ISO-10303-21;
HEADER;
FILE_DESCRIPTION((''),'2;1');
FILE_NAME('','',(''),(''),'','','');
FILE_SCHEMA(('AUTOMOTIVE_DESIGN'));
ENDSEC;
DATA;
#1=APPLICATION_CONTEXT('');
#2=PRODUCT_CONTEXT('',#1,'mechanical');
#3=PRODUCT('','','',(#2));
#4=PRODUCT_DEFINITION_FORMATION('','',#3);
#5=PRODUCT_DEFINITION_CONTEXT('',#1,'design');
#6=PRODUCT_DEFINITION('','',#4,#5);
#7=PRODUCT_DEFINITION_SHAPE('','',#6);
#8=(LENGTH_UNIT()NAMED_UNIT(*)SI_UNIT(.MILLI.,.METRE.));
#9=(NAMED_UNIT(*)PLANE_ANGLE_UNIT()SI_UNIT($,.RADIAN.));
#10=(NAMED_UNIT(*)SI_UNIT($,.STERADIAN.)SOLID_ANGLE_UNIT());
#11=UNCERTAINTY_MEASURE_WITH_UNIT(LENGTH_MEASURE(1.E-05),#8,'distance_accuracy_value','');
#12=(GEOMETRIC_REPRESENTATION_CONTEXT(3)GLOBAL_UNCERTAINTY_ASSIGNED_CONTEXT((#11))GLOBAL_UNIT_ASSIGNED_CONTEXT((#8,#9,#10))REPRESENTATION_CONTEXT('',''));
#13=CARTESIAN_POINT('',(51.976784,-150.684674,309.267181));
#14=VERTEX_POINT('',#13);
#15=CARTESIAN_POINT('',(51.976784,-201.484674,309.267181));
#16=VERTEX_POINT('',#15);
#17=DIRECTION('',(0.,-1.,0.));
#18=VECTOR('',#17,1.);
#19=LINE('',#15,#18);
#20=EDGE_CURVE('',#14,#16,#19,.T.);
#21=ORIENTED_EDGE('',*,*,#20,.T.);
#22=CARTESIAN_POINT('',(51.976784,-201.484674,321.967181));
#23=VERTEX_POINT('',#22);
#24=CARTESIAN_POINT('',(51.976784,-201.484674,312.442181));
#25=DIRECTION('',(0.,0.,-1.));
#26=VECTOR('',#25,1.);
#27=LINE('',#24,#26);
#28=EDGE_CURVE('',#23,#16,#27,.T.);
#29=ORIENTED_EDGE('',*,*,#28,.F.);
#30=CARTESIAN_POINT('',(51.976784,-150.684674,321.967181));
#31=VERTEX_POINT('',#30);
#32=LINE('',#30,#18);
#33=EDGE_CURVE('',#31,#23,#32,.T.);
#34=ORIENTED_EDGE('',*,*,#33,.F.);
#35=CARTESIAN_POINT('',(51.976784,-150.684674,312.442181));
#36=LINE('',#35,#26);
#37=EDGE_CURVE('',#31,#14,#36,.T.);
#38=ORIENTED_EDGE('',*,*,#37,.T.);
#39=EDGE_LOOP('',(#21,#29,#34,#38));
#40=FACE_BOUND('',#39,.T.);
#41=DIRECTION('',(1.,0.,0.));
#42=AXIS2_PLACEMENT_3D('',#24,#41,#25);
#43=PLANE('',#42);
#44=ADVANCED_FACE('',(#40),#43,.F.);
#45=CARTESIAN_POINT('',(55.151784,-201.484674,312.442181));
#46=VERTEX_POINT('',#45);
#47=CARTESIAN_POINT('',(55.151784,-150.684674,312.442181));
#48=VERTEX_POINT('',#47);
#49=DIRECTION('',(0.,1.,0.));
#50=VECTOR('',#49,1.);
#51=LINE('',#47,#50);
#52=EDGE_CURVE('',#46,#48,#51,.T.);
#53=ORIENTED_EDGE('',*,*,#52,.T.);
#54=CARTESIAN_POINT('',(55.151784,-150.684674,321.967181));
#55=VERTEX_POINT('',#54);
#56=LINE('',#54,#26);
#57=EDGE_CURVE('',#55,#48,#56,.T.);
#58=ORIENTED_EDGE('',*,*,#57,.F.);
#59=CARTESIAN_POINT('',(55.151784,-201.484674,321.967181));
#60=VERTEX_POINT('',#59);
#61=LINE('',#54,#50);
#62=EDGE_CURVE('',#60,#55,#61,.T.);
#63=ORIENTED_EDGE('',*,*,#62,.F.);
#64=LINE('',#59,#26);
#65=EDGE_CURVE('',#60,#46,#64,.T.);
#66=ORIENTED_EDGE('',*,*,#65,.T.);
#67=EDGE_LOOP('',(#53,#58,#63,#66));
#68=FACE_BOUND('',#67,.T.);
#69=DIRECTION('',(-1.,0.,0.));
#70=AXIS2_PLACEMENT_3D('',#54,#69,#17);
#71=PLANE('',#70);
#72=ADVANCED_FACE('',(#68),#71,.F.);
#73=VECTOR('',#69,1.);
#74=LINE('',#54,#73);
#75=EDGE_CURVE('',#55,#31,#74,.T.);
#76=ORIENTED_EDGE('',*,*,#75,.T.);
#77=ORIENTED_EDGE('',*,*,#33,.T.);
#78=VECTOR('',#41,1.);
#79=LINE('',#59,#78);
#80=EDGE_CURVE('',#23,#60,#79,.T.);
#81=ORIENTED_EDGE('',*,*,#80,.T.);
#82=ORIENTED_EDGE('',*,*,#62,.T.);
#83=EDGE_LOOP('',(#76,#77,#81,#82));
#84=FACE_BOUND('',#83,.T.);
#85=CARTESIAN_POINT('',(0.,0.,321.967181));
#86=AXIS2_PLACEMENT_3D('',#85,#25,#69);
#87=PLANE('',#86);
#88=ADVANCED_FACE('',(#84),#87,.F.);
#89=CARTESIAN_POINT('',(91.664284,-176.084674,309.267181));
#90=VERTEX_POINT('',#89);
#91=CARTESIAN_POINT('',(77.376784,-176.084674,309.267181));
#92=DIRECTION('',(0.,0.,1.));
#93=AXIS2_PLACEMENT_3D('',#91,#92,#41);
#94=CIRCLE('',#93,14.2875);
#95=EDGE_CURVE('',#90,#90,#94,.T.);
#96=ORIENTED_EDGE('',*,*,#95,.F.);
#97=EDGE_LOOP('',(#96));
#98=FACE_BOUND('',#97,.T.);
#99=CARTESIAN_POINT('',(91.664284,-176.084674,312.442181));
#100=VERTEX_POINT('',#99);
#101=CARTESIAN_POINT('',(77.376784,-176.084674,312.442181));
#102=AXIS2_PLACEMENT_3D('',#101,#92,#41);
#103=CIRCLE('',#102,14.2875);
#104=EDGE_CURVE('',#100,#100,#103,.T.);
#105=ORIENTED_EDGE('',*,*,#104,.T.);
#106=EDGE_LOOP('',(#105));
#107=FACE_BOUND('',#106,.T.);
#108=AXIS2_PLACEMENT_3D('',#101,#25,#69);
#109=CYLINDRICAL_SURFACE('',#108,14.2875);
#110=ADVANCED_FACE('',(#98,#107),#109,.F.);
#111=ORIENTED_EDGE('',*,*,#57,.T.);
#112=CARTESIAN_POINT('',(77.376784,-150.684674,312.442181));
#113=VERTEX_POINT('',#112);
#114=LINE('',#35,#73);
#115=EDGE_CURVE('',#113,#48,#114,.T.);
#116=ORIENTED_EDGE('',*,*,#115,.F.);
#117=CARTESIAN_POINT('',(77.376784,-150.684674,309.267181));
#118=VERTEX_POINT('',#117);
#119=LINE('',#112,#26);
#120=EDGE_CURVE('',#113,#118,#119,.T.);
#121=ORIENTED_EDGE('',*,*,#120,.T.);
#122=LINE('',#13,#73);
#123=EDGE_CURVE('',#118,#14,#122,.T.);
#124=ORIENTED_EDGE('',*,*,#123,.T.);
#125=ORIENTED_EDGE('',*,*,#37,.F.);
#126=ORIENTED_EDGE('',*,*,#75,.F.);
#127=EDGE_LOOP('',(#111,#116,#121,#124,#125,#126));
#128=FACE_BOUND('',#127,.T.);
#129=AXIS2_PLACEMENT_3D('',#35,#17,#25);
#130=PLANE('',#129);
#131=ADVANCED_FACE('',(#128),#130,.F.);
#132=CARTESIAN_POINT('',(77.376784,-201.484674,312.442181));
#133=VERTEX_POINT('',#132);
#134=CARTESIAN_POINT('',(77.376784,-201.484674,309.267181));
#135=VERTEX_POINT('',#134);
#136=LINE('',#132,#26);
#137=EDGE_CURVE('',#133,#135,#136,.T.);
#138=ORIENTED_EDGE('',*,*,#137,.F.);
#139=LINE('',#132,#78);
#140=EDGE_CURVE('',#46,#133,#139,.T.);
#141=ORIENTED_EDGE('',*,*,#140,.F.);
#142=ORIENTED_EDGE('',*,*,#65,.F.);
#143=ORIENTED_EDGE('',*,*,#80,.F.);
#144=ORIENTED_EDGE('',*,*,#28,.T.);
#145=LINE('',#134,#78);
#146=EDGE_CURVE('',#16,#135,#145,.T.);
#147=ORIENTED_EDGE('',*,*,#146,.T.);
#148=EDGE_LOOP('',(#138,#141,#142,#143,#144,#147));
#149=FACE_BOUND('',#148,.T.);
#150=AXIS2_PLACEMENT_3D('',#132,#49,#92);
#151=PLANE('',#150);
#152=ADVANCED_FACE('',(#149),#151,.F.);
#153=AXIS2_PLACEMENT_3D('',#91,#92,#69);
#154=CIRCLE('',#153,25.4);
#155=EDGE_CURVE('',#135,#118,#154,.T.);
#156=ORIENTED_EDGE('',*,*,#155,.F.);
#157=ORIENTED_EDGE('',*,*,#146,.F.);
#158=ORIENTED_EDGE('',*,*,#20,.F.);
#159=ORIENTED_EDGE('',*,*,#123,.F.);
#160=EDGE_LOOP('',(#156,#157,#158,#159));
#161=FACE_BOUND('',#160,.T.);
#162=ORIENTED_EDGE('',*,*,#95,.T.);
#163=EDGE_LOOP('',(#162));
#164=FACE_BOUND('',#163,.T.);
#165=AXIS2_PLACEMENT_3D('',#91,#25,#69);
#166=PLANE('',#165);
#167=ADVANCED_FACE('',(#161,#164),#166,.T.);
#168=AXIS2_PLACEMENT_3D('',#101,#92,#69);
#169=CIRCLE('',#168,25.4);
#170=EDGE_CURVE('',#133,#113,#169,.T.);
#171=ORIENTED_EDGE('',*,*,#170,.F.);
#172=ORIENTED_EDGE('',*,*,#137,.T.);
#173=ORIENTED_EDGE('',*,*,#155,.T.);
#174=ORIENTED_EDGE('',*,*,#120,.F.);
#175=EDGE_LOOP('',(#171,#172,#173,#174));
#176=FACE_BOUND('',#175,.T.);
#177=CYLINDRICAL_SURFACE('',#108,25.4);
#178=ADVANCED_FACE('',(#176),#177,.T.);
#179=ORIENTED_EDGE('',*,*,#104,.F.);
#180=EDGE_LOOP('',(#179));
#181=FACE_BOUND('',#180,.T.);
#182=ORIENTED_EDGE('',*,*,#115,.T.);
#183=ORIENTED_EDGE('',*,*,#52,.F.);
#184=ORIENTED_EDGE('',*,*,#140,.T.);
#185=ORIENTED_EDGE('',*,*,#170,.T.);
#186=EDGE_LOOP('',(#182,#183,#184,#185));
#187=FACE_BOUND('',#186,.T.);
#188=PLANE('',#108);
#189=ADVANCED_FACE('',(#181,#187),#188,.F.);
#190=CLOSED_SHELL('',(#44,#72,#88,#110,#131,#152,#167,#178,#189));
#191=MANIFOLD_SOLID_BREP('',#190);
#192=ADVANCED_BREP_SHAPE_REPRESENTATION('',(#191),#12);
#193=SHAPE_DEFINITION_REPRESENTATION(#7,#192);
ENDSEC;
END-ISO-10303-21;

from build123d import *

# Parameters (mm, degrees)
SKETCH1_R           = 14.2875
BOSS_EXTRUDE1_DEPTH = 3.175
SKETCH2_W           = 3.175
SKETCH2_H           = 50.8
BOSS_EXTRUDE2_DEPTH = 9.525


with BuildPart() as part:
    # Sketch1 → Boss-Extrude1 (new body)
    with BuildSketch(Plane.XY.offset(309.267180797)):
        with BuildLine():
            Line((51.976784349, -201.484673508), (51.976784349, -150.684673508))
            Line((51.976784349, -150.684673508), (77.376784349, -150.684673508))
            ThreePointArc((77.376784349, -150.684673508), (102.776784349, -176.084673508), (77.376784349, -201.484673508))
            Line((77.376784349, -201.484673508), (51.976784349, -201.484673508))
        make_face()
        with Locations((77.376784349, -176.084673508)):
            Circle(SKETCH1_R, mode=Mode.SUBTRACT)
    extrude(amount=BOSS_EXTRUDE1_DEPTH)

    # Sketch2 → Boss-Extrude2 (add)
    with BuildSketch(Plane.XY.offset(312.442180797)):
        with Locations((53.564284349, -176.084673508)):
            Rectangle(SKETCH2_W, SKETCH2_H)
    extrude(amount=BOSS_EXTRUDE2_DEPTH)


solid = part.part
